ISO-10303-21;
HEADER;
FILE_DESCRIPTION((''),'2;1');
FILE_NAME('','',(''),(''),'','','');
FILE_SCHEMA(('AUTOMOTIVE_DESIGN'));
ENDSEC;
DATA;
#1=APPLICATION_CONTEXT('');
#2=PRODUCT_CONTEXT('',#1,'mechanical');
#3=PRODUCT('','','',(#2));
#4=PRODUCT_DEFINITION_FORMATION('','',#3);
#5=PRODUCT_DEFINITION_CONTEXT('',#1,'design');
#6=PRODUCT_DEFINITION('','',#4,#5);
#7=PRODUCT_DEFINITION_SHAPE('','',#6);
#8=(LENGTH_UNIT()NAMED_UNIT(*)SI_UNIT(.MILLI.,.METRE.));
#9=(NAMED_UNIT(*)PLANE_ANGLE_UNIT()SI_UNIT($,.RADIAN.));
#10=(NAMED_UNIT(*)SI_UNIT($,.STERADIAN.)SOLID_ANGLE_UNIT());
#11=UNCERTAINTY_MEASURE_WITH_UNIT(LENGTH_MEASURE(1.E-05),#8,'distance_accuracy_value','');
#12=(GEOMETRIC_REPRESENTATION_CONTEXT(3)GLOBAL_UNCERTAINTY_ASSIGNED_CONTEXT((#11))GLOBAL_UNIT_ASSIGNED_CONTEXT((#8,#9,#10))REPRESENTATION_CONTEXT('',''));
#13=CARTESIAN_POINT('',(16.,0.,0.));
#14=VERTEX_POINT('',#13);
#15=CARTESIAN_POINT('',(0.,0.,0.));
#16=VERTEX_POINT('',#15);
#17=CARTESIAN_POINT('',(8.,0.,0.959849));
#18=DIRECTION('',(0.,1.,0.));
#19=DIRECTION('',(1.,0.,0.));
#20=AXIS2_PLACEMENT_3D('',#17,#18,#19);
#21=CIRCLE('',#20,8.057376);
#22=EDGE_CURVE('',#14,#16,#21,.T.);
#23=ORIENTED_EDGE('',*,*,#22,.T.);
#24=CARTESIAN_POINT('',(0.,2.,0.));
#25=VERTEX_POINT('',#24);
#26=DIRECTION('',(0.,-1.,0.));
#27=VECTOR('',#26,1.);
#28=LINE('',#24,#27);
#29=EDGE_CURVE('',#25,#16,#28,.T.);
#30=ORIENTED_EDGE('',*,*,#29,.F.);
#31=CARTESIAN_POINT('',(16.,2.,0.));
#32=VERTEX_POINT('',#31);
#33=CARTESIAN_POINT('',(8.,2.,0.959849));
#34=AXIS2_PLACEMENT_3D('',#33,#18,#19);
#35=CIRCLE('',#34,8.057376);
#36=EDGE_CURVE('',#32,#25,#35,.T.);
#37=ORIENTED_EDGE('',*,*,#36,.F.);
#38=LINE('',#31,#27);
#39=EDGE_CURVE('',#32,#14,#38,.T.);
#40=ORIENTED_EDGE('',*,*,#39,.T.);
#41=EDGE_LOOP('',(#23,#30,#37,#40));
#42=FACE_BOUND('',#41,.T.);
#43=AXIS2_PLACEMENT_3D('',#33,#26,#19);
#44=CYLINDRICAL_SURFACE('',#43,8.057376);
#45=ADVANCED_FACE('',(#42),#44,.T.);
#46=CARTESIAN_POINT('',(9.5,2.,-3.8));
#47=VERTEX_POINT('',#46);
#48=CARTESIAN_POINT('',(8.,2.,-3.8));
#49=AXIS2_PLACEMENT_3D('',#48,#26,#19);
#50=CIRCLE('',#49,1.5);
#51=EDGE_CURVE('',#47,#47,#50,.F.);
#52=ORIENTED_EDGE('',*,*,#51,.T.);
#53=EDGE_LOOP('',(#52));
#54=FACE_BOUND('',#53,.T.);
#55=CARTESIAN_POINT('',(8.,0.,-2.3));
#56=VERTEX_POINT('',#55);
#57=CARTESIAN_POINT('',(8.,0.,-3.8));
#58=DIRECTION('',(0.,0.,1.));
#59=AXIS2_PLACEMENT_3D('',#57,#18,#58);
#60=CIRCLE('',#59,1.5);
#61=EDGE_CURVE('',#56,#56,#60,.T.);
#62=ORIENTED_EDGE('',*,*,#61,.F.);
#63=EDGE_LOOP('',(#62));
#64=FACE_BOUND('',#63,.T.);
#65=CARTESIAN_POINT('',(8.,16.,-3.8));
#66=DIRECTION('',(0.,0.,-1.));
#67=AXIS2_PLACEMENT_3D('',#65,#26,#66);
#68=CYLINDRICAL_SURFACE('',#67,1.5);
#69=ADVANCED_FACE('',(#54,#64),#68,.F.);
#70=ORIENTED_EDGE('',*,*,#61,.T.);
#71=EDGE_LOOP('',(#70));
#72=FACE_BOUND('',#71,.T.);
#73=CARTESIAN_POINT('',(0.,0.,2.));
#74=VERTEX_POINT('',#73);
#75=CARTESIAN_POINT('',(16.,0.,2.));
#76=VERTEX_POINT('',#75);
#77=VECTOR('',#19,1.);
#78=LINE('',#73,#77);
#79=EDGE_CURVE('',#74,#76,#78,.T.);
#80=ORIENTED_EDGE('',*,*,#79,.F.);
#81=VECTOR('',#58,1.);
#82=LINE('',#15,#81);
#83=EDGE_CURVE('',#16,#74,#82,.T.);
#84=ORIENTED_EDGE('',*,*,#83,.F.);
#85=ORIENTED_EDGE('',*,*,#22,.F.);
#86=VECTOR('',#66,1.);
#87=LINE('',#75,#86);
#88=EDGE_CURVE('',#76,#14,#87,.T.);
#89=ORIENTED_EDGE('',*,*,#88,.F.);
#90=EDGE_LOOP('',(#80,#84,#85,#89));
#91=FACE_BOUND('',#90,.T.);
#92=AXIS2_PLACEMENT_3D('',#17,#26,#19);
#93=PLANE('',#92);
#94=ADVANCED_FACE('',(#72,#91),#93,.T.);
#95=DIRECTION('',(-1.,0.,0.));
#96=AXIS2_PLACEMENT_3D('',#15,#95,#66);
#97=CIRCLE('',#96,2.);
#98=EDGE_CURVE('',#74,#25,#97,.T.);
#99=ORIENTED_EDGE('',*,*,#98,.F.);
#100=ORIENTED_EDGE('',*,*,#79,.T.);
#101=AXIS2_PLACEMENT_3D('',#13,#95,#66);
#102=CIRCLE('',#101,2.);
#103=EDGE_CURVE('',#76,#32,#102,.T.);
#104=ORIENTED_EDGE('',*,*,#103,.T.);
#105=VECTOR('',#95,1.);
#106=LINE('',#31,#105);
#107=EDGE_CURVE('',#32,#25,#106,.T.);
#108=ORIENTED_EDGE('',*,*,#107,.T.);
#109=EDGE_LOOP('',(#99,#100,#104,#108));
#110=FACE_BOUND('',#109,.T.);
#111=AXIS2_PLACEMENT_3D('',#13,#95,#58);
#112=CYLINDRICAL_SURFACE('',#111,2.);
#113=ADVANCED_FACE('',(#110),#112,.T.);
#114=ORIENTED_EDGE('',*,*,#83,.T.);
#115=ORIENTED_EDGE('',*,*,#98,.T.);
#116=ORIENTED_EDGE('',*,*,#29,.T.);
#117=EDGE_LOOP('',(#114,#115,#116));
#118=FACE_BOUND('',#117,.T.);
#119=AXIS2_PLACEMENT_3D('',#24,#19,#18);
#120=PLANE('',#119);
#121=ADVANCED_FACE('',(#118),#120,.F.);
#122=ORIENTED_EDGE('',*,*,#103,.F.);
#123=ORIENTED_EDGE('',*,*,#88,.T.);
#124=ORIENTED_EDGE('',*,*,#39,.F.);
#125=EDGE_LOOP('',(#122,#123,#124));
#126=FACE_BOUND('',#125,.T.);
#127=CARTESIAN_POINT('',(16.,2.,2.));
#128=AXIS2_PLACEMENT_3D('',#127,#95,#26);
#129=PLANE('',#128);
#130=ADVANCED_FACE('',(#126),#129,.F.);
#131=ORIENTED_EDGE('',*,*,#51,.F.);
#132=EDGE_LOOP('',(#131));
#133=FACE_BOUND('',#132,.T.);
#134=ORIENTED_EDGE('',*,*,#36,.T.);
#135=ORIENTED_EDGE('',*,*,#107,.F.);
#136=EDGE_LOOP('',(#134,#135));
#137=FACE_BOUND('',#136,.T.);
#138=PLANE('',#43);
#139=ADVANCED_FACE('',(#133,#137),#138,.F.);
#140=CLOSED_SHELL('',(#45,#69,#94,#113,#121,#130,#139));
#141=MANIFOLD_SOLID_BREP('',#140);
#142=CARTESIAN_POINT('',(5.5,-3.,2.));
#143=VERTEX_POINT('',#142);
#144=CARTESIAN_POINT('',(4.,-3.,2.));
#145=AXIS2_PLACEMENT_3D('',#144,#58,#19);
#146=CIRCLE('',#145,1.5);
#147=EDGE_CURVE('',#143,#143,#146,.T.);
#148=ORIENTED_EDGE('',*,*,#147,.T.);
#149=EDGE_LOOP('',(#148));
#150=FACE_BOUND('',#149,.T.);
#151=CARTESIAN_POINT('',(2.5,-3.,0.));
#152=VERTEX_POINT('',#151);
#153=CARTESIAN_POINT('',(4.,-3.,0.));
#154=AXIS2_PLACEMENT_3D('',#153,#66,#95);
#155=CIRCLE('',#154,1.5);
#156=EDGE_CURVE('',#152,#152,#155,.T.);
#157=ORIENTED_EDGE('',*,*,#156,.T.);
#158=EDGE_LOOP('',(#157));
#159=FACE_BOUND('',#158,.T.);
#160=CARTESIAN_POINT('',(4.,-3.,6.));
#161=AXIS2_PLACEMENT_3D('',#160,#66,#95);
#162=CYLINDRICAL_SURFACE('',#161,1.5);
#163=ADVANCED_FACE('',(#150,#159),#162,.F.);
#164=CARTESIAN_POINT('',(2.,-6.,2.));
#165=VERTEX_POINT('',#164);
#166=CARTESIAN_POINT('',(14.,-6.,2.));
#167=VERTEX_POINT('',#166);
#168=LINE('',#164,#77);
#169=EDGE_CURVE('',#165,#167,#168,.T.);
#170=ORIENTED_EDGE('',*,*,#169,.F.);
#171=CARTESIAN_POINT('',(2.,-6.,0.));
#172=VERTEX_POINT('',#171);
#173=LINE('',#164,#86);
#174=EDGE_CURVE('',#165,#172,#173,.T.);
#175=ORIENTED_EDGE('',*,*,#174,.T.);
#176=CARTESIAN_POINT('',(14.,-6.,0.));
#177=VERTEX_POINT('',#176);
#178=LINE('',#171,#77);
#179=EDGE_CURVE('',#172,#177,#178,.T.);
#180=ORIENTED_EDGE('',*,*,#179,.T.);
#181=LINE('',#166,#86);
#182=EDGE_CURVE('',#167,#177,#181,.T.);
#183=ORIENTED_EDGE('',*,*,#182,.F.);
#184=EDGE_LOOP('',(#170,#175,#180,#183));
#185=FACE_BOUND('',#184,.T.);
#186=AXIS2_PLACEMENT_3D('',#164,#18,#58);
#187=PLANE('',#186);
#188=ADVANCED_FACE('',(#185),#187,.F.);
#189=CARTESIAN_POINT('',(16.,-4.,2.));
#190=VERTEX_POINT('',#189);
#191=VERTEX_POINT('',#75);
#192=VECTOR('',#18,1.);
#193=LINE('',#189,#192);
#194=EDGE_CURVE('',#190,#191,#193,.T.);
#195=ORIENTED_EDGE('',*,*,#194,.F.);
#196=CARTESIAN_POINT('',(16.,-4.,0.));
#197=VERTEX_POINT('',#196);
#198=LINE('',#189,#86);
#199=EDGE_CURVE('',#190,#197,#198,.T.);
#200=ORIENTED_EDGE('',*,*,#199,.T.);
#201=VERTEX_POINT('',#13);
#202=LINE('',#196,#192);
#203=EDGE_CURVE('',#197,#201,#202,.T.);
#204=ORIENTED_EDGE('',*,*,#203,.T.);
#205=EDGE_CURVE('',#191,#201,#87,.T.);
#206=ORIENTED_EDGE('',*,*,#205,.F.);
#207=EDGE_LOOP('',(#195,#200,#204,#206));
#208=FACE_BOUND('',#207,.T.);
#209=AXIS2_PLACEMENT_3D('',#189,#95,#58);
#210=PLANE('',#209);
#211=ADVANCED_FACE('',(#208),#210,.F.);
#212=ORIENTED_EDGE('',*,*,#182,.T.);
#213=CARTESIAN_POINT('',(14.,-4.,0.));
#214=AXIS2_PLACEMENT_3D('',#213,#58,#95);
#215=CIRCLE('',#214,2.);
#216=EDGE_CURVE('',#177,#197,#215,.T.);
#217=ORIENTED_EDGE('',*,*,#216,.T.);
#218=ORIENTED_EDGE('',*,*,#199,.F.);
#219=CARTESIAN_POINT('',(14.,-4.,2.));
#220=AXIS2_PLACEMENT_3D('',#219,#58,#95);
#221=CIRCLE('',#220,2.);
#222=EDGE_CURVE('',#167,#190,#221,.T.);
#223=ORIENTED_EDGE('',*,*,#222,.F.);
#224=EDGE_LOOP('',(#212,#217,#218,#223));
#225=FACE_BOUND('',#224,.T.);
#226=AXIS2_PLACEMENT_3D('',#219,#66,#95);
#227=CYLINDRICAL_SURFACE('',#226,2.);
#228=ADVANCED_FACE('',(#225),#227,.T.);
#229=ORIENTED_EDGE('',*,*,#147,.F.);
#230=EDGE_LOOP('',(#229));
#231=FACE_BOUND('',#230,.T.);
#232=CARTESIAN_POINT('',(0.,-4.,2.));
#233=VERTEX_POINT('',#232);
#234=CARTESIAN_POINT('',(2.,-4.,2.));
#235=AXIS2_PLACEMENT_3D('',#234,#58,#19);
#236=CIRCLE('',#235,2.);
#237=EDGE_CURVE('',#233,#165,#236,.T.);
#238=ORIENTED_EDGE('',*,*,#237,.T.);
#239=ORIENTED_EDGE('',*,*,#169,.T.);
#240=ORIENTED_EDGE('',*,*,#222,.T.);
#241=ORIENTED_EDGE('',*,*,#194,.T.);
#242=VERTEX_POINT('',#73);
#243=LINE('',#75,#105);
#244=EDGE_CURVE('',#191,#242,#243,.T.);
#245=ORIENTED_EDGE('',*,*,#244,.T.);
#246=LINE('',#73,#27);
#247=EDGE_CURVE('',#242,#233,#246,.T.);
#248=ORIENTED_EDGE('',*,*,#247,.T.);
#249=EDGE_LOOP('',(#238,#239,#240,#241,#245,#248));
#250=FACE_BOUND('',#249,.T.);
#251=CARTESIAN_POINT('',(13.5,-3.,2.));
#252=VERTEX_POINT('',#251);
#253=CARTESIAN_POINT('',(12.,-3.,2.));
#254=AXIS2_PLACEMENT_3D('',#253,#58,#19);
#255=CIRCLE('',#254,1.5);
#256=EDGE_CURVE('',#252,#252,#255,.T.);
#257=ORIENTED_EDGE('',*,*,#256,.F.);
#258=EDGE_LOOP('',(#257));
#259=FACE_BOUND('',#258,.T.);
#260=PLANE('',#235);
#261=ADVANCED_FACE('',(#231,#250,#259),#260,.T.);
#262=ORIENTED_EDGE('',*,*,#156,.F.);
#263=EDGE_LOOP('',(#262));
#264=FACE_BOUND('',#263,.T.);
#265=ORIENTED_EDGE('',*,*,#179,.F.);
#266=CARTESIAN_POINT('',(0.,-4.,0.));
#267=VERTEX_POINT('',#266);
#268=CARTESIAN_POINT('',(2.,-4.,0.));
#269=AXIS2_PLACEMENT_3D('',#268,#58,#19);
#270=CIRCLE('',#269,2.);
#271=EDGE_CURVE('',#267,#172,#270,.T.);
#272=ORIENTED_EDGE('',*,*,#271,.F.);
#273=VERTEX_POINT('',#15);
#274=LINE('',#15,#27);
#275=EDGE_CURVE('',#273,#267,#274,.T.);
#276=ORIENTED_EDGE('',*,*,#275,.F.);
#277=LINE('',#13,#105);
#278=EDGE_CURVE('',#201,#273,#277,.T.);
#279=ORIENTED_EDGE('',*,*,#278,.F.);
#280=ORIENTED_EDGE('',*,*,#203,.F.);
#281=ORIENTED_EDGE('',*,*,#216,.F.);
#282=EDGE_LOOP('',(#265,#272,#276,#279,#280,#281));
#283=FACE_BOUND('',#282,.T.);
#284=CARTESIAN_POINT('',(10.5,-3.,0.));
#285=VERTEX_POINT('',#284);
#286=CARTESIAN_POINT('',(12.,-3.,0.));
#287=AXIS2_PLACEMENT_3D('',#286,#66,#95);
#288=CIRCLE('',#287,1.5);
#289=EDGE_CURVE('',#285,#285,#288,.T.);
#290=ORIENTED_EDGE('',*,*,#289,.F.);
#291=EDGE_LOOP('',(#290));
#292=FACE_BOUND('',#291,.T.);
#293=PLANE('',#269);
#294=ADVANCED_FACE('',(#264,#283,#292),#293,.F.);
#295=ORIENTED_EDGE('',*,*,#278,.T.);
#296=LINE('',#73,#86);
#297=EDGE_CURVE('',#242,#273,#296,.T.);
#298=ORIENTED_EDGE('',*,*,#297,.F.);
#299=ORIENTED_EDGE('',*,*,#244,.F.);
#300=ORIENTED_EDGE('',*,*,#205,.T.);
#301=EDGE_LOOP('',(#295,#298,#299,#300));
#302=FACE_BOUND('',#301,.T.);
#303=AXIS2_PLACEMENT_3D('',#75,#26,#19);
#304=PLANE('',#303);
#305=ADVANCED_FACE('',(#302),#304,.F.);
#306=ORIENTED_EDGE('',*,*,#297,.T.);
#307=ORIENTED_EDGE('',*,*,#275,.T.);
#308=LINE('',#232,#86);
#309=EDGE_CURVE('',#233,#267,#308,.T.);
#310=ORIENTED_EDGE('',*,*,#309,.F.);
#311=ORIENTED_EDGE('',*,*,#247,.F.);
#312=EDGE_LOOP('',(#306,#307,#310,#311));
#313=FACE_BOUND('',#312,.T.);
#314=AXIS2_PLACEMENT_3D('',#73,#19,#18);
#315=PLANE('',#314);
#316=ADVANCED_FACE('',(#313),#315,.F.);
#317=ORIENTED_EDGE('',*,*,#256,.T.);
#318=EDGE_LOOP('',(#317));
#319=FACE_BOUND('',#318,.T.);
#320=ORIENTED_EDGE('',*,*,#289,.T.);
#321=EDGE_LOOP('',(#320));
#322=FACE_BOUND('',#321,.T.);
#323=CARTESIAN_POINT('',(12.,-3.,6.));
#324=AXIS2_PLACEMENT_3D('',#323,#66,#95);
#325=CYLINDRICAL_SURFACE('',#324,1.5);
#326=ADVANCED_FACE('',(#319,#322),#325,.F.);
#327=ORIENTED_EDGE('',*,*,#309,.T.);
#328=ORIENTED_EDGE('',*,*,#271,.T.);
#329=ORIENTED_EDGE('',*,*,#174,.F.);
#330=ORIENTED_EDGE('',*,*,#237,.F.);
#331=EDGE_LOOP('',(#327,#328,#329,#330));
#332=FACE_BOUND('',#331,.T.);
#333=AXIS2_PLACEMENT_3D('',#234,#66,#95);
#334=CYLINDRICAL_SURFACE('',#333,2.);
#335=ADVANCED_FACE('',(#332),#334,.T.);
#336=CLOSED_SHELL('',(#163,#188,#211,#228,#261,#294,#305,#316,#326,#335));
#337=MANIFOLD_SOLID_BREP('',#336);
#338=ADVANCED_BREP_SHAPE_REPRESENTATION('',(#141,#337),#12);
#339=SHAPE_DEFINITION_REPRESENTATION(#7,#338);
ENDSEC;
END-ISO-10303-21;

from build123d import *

# Parameters (mm, degrees)
BOSS_EXTRUDE1_DEPTH = 2
BOSS_EXTRUDE2_DEPTH = 2
SKETCH10_R          = 1.5
CUT_EXTRUDE3_DEPTH  = 6
CUT_EXTRUDE4_DEPTH  = 16
SKETCH12_R          = 1.5
CUT_EXTRUDE5_DEPTH  = 16


with BuildPart() as part:
    # Sketch1 → Boss-Extrude1 (new body)
    with BuildSketch(Plane.XY):
        with BuildLine():
            Line((0, 0), (0, -4))
            ThreePointArc((0, -4), (0.585786438, -5.414213562), (2, -6))
            Line((2, -6), (14, -6))
            ThreePointArc((14, -6), (15.414213562, -5.414213562), (16, -4))
            Line((16, -4), (16, 0))
            Line((16, 0), (0, 0))
        make_face()
    extrude(amount=BOSS_EXTRUDE1_DEPTH)

    # Sketch10 → Cut-Extrude3 (cut)
    with BuildSketch(Plane(origin=(0, 0, 0), x_dir=(-1, 0, 0), z_dir=(0, 0, -1))):
        with Locations((-12, -3)):
            Circle(SKETCH10_R)
        with Locations((-4, -3)):
            Circle(SKETCH10_R)
    extrude(amount=-CUT_EXTRUDE3_DEPTH, mode=Mode.SUBTRACT)


with BuildPart() as body_2:
    # Sketch5 → Boss-Extrude2 (new body)
    with BuildSketch(Plane(origin=(0, 0, 0), x_dir=(1, 0, 0), z_dir=(0, 1, 0))):
        with BuildLine():
            Line((0, 0), (0, -2))
            Line((0, -2), (16, -2))
            Line((16, -2), (16, 0))
            ThreePointArc((16, 0), (8, 7.097527245), (0, 0))
        make_face()
    extrude(amount=BOSS_EXTRUDE2_DEPTH)

    # Sketch11 → Cut-Extrude4 (cut)
    with BuildSketch(Plane(origin=(0, 0, 0), x_dir=(0, 0, -1), z_dir=(1, 0, 0))):
        with BuildLine():
            Line((0, 2), (-2, 2))
            Line((-2, 2), (-2, 0))
            ThreePointArc((-2, 0), (-1.414213562, 1.414213562), (0, 2))
        make_face()
    extrude(amount=CUT_EXTRUDE4_DEPTH, mode=Mode.SUBTRACT)

    # Sketch12 → Cut-Extrude5 (cut)
    with BuildSketch(Plane(origin=(0, 0, 0), x_dir=(1, 0, 0), z_dir=(0, 1, 0))):
        with Locations((8, 3.8)):
            Circle(SKETCH12_R)
    extrude(amount=CUT_EXTRUDE5_DEPTH, mode=Mode.SUBTRACT)


solid = Compound([part.part, body_2.part])
